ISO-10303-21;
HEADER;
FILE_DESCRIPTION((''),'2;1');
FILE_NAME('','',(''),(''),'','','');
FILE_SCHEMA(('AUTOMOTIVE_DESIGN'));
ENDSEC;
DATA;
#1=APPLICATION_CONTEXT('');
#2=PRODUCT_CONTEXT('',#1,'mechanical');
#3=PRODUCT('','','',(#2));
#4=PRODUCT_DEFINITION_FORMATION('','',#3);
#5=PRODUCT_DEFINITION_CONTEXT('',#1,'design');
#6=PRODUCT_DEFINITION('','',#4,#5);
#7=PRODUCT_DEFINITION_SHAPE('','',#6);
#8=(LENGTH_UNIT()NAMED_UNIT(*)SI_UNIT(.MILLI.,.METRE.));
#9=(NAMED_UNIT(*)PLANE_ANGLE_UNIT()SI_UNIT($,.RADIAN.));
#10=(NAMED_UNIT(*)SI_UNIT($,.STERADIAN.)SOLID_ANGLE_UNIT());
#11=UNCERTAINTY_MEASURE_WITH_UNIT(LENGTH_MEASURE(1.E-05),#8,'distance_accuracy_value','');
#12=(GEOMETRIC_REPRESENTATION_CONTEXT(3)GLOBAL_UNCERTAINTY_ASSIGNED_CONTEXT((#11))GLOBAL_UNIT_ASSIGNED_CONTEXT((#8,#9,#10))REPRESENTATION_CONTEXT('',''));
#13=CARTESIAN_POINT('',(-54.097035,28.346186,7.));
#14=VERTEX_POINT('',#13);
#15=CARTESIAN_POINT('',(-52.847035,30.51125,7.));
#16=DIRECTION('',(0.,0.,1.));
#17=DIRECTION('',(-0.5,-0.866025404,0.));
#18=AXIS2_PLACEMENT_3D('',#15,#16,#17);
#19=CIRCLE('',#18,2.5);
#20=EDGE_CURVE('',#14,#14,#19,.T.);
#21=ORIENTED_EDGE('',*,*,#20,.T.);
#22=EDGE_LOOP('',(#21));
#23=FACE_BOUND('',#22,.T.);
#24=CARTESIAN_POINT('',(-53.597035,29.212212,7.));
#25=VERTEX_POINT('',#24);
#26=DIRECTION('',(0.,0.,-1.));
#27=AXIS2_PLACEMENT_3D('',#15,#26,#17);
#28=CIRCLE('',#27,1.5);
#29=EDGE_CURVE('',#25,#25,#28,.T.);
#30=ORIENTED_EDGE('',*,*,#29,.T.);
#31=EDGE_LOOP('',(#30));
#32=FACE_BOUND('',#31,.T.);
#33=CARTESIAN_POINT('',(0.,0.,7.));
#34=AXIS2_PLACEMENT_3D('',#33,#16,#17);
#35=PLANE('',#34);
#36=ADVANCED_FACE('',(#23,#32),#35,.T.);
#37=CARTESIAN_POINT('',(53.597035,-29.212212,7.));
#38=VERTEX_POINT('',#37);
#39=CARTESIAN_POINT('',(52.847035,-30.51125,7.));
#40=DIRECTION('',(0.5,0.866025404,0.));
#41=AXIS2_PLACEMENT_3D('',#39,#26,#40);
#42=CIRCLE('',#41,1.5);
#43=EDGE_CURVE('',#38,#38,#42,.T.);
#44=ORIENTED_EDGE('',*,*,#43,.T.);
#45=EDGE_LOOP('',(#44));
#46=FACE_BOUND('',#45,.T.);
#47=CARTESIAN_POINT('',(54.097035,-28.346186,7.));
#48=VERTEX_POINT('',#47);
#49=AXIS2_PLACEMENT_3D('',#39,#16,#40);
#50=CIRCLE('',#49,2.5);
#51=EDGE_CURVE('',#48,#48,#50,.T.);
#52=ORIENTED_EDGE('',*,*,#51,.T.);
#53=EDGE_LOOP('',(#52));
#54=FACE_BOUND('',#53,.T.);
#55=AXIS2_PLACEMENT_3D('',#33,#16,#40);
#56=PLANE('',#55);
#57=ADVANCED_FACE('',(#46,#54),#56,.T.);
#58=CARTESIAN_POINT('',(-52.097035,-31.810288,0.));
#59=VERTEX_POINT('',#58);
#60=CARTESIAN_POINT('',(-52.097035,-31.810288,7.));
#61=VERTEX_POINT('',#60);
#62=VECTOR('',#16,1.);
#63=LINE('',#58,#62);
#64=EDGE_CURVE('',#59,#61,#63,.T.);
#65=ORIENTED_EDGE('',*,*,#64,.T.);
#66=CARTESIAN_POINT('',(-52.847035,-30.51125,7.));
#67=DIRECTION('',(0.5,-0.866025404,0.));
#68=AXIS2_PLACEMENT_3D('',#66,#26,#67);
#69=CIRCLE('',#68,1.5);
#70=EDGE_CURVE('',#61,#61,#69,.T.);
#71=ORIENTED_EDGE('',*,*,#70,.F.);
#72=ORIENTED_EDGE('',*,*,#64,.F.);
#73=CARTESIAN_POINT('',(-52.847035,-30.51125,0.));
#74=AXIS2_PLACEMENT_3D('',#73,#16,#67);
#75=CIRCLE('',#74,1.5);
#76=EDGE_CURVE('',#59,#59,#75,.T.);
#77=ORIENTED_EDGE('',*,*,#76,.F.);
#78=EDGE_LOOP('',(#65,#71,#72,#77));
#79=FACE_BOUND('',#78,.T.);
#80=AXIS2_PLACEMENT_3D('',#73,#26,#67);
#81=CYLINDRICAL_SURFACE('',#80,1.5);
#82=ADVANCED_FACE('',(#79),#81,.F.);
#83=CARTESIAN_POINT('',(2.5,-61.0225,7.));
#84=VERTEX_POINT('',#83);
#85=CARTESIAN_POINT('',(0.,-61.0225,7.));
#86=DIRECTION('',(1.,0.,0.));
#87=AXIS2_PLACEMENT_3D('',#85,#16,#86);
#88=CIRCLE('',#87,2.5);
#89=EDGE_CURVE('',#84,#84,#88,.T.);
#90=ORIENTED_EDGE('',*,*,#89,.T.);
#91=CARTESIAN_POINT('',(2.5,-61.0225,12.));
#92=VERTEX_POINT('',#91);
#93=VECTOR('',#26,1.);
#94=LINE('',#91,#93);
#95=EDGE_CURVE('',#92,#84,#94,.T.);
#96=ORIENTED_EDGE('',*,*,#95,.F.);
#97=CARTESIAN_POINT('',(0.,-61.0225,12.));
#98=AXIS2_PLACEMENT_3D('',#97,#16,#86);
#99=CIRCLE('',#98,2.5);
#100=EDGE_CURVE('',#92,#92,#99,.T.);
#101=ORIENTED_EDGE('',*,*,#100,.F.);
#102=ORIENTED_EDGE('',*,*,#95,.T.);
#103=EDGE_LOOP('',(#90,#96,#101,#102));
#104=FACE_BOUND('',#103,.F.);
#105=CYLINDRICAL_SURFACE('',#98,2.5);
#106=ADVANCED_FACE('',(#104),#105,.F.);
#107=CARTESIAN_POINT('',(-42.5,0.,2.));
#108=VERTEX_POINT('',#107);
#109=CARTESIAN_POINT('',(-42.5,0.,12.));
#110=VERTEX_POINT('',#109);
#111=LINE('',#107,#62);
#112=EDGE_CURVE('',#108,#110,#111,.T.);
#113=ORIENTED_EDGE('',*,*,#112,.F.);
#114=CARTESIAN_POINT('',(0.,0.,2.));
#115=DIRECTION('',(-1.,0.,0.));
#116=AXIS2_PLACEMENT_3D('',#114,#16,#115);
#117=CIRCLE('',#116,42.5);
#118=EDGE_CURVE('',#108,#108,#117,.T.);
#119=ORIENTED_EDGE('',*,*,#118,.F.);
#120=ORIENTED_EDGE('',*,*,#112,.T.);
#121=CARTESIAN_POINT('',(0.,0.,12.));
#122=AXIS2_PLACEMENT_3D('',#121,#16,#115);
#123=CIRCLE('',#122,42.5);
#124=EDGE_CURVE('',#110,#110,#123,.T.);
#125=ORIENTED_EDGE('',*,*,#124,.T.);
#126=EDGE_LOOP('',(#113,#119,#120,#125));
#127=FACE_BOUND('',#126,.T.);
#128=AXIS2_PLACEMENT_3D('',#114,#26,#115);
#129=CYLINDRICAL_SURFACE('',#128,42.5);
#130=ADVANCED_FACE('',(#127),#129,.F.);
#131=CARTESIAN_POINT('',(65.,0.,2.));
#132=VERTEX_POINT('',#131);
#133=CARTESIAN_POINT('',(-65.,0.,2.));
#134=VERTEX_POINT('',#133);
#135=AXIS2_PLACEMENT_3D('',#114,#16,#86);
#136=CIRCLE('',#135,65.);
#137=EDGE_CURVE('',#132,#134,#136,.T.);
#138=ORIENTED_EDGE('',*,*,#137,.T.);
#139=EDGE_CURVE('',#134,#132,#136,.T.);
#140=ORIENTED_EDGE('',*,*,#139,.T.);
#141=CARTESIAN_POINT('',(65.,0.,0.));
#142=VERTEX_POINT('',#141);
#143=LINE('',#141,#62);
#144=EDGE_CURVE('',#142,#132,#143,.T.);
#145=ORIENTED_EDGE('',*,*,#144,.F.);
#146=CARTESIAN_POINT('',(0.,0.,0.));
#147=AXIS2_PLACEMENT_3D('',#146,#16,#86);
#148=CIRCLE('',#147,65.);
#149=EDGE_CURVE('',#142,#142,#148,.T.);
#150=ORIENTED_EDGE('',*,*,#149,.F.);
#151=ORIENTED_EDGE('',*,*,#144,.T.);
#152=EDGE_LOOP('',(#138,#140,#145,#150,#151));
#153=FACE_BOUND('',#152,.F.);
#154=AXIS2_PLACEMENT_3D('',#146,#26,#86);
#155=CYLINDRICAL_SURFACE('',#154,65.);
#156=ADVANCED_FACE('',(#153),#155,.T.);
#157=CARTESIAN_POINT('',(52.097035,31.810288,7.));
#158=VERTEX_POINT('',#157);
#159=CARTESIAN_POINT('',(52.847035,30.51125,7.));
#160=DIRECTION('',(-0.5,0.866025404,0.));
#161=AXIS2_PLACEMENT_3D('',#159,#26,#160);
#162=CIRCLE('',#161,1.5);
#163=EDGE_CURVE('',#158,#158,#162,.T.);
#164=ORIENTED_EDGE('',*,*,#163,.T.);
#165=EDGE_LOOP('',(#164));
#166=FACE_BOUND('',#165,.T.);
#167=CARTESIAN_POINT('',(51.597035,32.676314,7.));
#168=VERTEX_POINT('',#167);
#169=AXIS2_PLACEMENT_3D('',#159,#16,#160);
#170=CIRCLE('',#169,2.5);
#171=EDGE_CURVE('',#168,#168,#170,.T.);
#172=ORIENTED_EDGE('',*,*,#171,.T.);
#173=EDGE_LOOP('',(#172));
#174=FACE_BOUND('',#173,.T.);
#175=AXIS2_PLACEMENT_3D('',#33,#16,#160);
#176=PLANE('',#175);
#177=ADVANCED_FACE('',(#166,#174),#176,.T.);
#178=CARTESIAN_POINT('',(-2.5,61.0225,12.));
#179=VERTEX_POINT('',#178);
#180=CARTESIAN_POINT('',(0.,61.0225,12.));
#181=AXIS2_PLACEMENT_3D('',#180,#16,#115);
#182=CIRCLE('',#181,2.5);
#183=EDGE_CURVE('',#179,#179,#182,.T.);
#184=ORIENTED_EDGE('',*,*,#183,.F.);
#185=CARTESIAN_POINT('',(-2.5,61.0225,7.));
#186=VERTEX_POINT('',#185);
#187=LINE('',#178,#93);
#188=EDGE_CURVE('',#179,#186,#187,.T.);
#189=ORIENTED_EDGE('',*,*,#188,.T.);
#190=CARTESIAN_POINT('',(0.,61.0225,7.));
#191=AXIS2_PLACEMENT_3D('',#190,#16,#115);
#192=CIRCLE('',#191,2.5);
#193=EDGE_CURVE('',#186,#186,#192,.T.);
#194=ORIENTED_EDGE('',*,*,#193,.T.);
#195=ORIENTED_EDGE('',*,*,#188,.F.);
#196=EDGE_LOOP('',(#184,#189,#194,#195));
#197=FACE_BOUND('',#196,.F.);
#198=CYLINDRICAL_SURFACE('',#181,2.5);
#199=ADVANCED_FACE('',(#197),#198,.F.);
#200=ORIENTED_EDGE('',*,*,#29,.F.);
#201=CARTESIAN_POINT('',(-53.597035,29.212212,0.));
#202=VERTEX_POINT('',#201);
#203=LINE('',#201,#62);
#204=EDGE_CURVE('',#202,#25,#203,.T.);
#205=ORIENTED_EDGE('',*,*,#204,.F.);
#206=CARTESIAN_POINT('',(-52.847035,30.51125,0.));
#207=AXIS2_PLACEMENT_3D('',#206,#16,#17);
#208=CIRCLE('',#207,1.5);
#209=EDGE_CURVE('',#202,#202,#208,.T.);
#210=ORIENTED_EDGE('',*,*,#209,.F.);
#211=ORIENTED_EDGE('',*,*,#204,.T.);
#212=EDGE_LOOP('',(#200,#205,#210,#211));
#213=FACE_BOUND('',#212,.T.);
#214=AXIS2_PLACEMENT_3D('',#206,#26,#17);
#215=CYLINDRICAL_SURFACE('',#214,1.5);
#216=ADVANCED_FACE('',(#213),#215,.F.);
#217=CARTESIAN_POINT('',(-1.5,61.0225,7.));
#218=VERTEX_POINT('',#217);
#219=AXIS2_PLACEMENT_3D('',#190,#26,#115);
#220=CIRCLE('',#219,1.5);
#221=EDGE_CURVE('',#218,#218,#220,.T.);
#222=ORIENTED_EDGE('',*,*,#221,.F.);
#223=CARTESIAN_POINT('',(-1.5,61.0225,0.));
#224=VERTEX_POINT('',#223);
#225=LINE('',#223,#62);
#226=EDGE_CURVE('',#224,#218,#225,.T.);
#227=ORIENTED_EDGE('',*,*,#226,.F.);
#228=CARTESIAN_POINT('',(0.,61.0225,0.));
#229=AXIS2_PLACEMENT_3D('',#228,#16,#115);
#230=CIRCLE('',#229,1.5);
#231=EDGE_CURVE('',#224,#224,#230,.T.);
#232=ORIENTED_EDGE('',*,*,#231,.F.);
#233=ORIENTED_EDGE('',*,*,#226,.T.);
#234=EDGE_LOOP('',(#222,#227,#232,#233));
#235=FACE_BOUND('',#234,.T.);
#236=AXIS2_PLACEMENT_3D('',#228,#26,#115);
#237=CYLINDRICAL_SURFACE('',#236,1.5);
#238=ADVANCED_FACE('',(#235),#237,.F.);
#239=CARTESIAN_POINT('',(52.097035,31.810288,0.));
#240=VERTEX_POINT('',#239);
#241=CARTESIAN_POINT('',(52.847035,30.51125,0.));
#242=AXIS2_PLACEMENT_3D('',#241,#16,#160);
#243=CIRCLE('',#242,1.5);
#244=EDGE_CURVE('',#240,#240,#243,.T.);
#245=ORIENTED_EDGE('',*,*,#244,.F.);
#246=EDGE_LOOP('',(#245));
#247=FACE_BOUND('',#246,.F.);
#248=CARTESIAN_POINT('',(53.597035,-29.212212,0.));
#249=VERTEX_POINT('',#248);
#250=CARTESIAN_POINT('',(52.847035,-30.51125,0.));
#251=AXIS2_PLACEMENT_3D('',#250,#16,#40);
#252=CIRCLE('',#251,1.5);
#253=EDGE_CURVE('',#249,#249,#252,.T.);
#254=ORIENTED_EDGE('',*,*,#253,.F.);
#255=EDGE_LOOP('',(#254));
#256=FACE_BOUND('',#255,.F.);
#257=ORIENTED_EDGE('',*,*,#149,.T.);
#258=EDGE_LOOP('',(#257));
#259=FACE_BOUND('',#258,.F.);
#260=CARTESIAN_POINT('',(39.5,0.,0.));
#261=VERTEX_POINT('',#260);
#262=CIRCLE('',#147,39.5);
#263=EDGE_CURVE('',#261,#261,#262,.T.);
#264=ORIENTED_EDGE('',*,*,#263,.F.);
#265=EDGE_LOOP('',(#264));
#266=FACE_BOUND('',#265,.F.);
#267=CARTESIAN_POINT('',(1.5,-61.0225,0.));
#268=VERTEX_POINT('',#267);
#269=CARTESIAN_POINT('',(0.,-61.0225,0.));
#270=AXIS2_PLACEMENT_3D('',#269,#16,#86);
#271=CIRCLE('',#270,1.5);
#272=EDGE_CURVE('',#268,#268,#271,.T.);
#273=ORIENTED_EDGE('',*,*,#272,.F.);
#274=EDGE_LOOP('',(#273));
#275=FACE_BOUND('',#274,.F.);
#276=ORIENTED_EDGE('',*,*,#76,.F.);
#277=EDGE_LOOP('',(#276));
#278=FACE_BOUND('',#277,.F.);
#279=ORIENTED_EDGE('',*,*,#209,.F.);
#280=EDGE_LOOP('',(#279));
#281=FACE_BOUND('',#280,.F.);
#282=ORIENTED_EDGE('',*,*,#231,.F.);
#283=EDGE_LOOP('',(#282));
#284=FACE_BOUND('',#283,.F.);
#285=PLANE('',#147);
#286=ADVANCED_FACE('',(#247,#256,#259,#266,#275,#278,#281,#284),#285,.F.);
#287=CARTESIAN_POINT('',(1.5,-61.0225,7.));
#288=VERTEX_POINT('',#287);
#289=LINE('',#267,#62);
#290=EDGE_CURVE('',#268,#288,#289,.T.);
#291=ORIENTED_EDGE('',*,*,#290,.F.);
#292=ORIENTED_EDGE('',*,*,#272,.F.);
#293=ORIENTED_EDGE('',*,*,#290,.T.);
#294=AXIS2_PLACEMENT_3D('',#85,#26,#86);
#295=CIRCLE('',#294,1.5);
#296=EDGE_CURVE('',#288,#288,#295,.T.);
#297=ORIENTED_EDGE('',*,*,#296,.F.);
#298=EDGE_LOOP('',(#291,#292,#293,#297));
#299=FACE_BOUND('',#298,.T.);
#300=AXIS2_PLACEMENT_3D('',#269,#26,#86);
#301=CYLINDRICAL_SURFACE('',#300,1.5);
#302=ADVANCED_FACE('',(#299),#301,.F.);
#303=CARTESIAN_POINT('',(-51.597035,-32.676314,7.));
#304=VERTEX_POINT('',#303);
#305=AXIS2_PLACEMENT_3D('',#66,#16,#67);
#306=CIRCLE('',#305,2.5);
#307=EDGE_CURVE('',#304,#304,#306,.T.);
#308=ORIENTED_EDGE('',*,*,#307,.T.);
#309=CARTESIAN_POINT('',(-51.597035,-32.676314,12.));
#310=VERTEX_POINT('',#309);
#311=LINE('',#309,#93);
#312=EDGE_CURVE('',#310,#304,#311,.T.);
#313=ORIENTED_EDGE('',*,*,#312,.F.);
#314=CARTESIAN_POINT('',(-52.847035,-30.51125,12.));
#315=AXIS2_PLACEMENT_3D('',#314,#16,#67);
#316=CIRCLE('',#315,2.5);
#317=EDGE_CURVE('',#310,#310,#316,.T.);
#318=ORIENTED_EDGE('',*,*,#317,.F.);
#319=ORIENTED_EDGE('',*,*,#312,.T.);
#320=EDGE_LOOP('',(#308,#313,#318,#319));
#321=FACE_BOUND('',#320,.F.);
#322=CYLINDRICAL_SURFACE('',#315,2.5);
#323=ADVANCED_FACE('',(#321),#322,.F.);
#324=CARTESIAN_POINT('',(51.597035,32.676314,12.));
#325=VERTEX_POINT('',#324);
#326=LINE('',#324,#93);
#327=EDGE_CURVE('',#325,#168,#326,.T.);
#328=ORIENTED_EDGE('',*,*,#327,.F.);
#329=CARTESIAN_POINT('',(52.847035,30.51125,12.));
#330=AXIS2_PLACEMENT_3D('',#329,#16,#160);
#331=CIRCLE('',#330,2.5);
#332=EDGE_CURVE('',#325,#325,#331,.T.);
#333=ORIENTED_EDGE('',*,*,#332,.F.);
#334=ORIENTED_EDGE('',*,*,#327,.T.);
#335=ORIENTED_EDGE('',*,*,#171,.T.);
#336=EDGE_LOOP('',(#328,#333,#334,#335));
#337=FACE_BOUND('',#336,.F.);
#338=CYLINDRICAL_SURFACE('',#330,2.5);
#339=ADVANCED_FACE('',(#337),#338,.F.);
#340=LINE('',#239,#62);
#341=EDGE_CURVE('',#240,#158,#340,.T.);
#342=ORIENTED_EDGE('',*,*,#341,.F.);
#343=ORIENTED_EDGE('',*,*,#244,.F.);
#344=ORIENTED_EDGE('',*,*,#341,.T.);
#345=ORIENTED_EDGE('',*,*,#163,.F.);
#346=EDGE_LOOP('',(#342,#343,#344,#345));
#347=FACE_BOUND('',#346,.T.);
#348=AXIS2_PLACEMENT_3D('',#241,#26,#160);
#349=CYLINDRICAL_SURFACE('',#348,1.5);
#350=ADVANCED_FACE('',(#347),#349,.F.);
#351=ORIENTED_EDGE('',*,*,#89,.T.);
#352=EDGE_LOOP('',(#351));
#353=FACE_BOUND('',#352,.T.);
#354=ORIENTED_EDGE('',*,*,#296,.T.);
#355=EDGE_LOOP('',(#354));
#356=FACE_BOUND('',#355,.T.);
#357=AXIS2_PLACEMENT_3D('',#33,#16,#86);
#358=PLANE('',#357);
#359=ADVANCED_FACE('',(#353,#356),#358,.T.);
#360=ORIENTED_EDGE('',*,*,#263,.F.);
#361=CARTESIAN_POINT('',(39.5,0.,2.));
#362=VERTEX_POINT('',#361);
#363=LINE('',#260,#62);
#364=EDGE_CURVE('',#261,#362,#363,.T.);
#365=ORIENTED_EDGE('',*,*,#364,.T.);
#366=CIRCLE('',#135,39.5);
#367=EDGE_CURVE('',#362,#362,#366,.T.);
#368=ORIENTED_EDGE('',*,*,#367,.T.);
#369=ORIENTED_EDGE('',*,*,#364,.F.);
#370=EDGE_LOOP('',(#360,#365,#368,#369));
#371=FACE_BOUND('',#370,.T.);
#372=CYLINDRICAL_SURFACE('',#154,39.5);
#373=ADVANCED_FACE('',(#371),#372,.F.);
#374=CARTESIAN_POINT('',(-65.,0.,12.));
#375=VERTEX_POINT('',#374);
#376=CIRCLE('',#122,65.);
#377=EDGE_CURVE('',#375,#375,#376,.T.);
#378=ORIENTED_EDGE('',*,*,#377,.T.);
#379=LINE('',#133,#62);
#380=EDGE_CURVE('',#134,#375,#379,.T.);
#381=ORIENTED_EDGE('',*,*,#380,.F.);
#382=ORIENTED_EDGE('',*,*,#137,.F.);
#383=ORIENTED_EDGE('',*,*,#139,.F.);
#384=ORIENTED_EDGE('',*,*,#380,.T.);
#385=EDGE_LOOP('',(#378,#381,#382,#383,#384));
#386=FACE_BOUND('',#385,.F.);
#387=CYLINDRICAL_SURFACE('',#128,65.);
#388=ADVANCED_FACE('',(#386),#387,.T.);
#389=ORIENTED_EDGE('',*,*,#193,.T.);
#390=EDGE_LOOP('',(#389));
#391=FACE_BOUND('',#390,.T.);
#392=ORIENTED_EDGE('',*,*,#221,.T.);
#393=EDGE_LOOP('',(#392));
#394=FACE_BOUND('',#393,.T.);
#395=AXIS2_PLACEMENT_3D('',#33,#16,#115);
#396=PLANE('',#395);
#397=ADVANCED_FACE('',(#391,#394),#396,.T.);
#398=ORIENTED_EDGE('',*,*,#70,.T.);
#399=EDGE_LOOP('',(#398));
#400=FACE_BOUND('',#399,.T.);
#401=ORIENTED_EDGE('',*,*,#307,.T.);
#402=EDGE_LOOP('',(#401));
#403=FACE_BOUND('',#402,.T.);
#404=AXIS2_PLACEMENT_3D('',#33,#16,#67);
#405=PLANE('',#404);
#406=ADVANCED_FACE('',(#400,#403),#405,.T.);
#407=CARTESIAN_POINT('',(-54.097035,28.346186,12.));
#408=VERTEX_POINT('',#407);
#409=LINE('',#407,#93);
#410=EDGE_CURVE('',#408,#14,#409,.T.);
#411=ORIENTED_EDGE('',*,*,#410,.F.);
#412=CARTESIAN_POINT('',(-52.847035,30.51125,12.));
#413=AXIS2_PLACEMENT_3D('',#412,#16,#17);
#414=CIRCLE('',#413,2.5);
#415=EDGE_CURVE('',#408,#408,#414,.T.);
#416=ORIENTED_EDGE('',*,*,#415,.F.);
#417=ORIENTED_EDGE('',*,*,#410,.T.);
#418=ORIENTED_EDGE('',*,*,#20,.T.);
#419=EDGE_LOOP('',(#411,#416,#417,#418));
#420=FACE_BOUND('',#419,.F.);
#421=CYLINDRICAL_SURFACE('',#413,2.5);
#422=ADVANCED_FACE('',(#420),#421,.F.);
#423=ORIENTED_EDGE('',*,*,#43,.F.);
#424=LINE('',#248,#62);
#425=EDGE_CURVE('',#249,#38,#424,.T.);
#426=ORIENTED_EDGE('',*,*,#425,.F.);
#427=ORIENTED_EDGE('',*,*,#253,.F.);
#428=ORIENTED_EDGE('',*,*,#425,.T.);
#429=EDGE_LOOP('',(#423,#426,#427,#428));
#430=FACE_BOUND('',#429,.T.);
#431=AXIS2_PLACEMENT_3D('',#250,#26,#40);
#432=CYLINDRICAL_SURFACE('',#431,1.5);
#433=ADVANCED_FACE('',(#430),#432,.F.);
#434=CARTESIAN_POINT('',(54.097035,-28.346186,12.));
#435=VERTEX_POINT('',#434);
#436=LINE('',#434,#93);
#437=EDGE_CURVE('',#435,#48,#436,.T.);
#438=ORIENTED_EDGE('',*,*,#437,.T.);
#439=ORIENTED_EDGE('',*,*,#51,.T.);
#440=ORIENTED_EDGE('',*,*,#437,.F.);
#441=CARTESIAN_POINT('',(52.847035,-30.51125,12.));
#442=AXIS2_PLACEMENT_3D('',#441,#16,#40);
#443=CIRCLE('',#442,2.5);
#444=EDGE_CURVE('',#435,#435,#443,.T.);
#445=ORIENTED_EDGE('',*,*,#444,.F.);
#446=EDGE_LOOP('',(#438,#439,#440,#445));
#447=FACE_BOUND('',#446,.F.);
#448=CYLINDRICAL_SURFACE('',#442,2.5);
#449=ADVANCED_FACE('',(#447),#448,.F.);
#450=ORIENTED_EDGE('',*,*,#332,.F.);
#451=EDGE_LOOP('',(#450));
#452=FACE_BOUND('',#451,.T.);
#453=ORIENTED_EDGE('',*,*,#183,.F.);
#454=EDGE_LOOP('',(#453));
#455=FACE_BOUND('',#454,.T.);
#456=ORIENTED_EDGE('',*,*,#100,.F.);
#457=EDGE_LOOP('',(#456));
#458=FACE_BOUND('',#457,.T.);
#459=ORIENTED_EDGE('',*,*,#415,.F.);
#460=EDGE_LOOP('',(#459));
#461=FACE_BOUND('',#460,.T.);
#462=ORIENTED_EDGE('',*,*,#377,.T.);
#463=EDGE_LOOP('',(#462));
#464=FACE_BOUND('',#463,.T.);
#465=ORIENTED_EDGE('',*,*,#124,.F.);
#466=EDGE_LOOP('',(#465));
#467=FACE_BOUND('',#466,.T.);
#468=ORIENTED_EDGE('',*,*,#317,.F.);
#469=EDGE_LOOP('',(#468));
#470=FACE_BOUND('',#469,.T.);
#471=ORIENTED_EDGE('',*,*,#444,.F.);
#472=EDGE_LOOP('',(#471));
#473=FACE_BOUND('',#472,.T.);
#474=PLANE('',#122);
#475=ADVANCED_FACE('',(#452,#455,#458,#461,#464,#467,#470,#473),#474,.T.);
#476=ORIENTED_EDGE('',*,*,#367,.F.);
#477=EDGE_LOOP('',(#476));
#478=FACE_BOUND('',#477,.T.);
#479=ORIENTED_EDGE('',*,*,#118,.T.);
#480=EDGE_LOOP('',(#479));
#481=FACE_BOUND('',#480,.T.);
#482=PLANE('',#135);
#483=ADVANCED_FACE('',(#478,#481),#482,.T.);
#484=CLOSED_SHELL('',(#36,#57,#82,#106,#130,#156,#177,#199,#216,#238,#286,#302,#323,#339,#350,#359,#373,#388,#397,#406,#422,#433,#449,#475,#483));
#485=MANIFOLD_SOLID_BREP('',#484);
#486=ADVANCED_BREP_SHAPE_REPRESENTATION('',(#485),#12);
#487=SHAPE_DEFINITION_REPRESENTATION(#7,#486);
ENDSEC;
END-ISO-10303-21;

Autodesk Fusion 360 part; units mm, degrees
sketch "Sketch1" plane through (0, 0, 0) normal (0, 0, 1) x (1, 0, 0)
  circle A0 centre (0, 0) radius 65
  circle A1 centre (0, 0) radius 61.0225 construction
  circle A2 centre (0, 0) radius 39.5
  circle A3 centre (0, -61.0225) radius 1.5
  dimension "d1" = 130
  dimension "d2" = 122.045
  dimension "d3" = 79
  dimension "ScrewDia" = 3
extrude "Extrude1" add sketch "Sketch1" along normal blind 2 contours A0 | A3
sketch "Sketch2" plane through (0, 0, 2) normal (0, 0, 1) x (-1, 0, 0)
  circle A0 centre (0, 0) radius 39.5
  circle A1 centre (0, 0) radius 65
  circle A2 centre (0, 0) radius 42.5
  dimension "BearingDia" = 85
extrude "Extrude2" add sketch "Sketch2" along normal blind 10 contours A1
extrude "Extrude3" cut sketch "Sketch1" along normal blind 25 contours A3
sketch "Sketch3" plane through (0, 0, 12) normal (0, 0, 1) x (-1, 0, 0)
  circle A0 centre (0, 61.0225) radius 1.5
  circle A1 centre (0, 0) radius 42.5
  circle A2 centre (0, 0) radius 65
  circle A3 centre (0, -61.0225) radius 2.5
  dimension "ScrewHeadDia" = 5
extrude "Extrude4" cut sketch "Sketch3" against normal blind 5 contours A3
pattern_circular "C-Pattern1" count 6 over 360 about axis through (0, 0, 1.75) along (0, 0, 1) of "Extrude3", "Extrude4"
equation "BearingHieght = 10 mm"
equation "ScrewHeadDepth = -5 mm"
